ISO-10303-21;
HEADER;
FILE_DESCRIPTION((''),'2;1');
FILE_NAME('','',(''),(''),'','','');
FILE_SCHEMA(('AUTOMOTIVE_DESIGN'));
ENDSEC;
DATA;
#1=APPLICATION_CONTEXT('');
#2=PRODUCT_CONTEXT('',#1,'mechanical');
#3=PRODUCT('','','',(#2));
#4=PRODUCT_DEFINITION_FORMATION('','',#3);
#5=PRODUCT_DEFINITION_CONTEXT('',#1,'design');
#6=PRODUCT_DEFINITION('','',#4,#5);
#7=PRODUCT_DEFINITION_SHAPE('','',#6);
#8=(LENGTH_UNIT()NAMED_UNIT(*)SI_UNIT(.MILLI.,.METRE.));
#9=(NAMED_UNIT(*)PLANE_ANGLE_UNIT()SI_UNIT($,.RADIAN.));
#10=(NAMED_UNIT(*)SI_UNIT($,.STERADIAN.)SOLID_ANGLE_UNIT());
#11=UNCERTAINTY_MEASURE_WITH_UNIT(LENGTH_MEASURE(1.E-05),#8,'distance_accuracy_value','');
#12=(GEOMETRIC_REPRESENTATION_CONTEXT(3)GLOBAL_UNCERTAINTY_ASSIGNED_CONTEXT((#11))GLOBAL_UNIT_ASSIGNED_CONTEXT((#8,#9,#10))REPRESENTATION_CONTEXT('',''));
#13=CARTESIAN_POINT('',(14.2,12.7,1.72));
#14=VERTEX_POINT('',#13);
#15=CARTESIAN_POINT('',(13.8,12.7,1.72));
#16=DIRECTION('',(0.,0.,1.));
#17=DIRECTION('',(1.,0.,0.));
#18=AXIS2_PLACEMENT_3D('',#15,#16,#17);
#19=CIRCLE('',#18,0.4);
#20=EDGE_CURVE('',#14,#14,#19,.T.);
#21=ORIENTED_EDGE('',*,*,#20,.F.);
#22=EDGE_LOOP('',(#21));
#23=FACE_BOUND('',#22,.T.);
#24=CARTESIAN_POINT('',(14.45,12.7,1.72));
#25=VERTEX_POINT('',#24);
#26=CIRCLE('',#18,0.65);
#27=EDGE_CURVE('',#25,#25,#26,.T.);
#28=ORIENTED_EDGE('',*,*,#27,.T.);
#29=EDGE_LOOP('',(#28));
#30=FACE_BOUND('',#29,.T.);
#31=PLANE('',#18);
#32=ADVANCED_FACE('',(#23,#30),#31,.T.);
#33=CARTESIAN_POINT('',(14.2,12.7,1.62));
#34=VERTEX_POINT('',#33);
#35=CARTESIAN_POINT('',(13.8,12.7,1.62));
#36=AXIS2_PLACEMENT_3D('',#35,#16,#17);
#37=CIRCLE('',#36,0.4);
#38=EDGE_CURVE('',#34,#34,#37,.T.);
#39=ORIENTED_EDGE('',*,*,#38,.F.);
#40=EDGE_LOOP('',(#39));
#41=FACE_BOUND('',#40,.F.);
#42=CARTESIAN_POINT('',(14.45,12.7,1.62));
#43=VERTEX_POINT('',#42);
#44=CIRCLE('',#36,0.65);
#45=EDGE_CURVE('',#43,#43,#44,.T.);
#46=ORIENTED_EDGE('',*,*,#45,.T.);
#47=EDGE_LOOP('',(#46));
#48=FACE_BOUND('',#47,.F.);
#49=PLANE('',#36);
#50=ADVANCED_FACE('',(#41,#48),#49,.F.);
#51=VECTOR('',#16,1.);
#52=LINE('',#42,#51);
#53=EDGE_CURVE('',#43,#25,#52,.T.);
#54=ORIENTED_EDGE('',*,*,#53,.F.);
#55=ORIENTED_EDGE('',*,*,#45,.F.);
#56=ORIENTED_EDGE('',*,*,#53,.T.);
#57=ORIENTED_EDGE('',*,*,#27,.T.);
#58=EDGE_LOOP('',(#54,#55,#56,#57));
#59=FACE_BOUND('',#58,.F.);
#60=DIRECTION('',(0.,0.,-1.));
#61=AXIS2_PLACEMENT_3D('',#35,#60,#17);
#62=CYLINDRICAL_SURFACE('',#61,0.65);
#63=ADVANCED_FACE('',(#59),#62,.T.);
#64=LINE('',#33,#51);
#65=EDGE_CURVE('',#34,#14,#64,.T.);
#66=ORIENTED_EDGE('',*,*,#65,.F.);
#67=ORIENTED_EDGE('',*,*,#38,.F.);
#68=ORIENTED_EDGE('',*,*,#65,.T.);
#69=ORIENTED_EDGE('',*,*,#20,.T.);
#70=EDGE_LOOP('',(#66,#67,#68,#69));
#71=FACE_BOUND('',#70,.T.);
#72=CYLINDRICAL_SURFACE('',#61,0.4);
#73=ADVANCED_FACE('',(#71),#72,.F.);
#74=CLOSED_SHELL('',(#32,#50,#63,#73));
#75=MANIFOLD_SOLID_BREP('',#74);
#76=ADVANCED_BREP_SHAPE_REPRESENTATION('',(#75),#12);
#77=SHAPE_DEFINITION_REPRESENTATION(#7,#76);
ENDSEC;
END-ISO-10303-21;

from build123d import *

# Parameters (mm, degrees)
CYLINDER007_R     = 0.4
CYLINDER007_DEPTH = 0.1
CYLINDER006_R     = 0.65
CYLINDER006_DEPTH = 0.1


with BuildPart() as cylinder007:
    # Cylinder007 → Cylinder007 (new body)
    with BuildSketch(Plane.XY.offset(1.62)):
        Circle(CYLINDER007_R)
    extrude(amount=CYLINDER007_DEPTH)


with BuildPart() as cut010:
    # Cylinder006 → Cylinder006 (new body)
    with BuildSketch(Plane.XY.offset(1.62)):
        Circle(CYLINDER006_R)
    extrude(amount=CYLINDER006_DEPTH)

    # Cut010: cut Cylinder007
    add(cylinder007.part, mode=Mode.SUBTRACT)


with BuildPart() as cut010_1:
    # Cut010 placement: moved
    add(cut010.part.moved(Location((13.8, 12.7, 0))))


solid = cut010_1.part
